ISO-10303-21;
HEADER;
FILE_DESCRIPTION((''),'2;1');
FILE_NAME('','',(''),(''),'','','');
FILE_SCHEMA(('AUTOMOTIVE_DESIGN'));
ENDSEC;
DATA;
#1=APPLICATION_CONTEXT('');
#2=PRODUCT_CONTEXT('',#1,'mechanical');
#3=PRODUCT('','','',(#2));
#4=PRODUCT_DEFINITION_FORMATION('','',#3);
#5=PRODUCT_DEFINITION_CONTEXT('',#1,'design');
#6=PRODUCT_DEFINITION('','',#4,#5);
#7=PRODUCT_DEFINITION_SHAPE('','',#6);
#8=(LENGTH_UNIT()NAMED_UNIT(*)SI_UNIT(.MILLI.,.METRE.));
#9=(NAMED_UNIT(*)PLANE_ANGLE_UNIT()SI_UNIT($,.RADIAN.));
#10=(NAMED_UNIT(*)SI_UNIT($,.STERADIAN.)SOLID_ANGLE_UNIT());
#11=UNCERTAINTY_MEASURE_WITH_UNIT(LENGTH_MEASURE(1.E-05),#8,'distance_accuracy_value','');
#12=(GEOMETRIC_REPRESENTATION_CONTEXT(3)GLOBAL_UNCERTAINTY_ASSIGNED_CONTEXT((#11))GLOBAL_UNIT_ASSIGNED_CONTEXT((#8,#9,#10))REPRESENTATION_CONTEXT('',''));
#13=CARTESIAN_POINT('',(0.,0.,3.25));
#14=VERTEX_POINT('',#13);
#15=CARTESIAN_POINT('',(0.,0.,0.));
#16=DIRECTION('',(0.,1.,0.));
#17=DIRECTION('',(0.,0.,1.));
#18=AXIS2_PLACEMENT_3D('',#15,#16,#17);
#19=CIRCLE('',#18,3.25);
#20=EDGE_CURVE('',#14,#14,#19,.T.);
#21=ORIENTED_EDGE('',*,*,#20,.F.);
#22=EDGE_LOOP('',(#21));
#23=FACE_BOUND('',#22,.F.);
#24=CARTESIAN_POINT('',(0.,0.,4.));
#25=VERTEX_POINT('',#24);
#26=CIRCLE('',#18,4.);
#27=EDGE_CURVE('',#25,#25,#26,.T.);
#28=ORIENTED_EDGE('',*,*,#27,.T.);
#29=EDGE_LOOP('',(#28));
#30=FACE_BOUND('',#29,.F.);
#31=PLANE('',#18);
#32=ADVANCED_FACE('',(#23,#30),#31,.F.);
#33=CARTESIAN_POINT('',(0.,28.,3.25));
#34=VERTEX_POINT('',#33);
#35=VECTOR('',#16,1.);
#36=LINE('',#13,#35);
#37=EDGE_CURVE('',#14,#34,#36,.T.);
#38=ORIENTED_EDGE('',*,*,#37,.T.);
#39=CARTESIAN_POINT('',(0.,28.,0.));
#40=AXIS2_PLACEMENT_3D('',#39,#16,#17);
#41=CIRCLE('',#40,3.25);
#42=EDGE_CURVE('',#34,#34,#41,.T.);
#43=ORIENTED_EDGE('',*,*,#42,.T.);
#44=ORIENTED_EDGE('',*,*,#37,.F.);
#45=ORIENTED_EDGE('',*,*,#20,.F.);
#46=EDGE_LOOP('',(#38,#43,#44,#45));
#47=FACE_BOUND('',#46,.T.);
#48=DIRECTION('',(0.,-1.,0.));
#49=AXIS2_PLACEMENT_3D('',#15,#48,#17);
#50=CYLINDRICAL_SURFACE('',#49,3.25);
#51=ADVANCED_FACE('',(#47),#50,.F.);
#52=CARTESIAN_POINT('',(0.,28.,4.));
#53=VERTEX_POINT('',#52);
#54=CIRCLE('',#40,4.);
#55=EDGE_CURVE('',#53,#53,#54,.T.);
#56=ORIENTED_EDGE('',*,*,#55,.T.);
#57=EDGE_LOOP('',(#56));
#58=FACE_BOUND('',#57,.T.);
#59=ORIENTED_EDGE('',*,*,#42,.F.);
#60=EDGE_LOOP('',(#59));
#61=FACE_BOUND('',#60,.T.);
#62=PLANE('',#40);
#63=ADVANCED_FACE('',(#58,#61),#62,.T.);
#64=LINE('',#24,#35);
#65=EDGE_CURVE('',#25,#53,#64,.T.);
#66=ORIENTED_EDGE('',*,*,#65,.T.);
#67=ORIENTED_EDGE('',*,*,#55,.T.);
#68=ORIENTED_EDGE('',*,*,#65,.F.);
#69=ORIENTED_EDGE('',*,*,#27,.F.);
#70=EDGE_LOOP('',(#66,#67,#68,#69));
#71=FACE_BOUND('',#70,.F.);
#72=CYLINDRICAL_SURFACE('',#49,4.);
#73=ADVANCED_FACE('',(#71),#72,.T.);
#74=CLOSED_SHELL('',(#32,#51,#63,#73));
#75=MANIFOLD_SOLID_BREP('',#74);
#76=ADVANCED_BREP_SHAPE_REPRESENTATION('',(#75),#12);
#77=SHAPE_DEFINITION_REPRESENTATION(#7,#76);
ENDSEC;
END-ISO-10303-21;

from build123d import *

# Parameters (mm, degrees)
SKETCH1_R           = 4
SKETCH1_R_2         = 3.25
BOSS_EXTRUDE1_DEPTH = 28


with BuildPart() as part:
    # Sketch1 → Boss-Extrude1 (new body)
    with BuildSketch(Plane(origin=(0, 0, 0), x_dir=(1, 0, 0), z_dir=(0, 1, 0))):
        with Locations(Location((0, 0, 0), (0, 0, 270))):
            Circle(SKETCH1_R)
        with Locations(Location((0, 0, 0), (0, 0, 270))):
            Circle(SKETCH1_R_2, mode=Mode.SUBTRACT)
    extrude(amount=BOSS_EXTRUDE1_DEPTH)


solid = part.part
